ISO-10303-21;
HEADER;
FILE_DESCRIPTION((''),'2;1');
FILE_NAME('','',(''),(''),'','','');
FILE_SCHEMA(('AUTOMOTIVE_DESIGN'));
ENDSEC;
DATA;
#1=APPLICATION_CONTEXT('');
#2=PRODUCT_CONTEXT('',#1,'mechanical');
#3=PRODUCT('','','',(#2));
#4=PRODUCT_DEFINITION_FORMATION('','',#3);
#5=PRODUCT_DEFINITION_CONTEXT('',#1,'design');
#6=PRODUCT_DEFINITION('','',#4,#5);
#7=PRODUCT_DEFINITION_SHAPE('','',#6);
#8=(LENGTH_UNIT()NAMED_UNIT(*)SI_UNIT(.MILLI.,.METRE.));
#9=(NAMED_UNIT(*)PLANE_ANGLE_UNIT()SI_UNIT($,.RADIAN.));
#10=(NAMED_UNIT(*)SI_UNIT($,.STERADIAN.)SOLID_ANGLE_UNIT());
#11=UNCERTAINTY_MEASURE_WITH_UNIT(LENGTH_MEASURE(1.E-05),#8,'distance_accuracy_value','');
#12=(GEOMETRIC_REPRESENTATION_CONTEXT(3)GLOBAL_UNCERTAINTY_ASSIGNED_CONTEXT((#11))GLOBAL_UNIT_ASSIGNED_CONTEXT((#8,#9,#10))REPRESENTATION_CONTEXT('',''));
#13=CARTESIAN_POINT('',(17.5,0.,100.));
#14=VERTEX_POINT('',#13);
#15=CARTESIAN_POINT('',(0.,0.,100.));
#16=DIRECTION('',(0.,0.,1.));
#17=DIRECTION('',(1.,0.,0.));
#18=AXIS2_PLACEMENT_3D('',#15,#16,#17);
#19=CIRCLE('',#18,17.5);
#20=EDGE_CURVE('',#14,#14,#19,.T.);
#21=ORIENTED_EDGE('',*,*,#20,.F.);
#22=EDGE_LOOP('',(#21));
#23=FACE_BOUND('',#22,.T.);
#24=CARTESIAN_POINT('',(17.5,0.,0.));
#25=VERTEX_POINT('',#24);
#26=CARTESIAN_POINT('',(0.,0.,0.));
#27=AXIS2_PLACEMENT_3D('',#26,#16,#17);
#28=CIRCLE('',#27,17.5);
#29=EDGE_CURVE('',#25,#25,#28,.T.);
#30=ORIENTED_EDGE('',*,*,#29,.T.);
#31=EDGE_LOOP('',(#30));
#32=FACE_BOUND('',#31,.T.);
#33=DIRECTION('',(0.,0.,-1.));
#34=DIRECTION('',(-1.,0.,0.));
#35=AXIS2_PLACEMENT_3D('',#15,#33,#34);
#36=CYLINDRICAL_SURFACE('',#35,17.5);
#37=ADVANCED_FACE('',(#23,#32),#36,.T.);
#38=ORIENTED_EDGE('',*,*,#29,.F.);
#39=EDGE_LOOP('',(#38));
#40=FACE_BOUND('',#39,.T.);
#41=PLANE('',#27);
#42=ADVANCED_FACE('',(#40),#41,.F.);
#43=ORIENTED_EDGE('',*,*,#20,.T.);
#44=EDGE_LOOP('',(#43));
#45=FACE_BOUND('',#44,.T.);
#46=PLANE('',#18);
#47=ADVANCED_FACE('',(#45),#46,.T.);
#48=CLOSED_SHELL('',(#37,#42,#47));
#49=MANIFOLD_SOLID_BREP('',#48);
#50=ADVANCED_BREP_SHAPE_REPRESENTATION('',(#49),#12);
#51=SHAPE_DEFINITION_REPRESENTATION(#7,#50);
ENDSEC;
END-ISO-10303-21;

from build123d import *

# Parameters (mm, degrees)
CROQUIS1_R              = 17.5
SALIENTE_EXTRUIR1_DEPTH = 100


with BuildPart() as part:
    # Croquis1 → Saliente-Extruir1 (new body)
    with BuildSketch(Plane.XY):
        Circle(CROQUIS1_R)
    extrude(amount=SALIENTE_EXTRUIR1_DEPTH)


solid = part.part
